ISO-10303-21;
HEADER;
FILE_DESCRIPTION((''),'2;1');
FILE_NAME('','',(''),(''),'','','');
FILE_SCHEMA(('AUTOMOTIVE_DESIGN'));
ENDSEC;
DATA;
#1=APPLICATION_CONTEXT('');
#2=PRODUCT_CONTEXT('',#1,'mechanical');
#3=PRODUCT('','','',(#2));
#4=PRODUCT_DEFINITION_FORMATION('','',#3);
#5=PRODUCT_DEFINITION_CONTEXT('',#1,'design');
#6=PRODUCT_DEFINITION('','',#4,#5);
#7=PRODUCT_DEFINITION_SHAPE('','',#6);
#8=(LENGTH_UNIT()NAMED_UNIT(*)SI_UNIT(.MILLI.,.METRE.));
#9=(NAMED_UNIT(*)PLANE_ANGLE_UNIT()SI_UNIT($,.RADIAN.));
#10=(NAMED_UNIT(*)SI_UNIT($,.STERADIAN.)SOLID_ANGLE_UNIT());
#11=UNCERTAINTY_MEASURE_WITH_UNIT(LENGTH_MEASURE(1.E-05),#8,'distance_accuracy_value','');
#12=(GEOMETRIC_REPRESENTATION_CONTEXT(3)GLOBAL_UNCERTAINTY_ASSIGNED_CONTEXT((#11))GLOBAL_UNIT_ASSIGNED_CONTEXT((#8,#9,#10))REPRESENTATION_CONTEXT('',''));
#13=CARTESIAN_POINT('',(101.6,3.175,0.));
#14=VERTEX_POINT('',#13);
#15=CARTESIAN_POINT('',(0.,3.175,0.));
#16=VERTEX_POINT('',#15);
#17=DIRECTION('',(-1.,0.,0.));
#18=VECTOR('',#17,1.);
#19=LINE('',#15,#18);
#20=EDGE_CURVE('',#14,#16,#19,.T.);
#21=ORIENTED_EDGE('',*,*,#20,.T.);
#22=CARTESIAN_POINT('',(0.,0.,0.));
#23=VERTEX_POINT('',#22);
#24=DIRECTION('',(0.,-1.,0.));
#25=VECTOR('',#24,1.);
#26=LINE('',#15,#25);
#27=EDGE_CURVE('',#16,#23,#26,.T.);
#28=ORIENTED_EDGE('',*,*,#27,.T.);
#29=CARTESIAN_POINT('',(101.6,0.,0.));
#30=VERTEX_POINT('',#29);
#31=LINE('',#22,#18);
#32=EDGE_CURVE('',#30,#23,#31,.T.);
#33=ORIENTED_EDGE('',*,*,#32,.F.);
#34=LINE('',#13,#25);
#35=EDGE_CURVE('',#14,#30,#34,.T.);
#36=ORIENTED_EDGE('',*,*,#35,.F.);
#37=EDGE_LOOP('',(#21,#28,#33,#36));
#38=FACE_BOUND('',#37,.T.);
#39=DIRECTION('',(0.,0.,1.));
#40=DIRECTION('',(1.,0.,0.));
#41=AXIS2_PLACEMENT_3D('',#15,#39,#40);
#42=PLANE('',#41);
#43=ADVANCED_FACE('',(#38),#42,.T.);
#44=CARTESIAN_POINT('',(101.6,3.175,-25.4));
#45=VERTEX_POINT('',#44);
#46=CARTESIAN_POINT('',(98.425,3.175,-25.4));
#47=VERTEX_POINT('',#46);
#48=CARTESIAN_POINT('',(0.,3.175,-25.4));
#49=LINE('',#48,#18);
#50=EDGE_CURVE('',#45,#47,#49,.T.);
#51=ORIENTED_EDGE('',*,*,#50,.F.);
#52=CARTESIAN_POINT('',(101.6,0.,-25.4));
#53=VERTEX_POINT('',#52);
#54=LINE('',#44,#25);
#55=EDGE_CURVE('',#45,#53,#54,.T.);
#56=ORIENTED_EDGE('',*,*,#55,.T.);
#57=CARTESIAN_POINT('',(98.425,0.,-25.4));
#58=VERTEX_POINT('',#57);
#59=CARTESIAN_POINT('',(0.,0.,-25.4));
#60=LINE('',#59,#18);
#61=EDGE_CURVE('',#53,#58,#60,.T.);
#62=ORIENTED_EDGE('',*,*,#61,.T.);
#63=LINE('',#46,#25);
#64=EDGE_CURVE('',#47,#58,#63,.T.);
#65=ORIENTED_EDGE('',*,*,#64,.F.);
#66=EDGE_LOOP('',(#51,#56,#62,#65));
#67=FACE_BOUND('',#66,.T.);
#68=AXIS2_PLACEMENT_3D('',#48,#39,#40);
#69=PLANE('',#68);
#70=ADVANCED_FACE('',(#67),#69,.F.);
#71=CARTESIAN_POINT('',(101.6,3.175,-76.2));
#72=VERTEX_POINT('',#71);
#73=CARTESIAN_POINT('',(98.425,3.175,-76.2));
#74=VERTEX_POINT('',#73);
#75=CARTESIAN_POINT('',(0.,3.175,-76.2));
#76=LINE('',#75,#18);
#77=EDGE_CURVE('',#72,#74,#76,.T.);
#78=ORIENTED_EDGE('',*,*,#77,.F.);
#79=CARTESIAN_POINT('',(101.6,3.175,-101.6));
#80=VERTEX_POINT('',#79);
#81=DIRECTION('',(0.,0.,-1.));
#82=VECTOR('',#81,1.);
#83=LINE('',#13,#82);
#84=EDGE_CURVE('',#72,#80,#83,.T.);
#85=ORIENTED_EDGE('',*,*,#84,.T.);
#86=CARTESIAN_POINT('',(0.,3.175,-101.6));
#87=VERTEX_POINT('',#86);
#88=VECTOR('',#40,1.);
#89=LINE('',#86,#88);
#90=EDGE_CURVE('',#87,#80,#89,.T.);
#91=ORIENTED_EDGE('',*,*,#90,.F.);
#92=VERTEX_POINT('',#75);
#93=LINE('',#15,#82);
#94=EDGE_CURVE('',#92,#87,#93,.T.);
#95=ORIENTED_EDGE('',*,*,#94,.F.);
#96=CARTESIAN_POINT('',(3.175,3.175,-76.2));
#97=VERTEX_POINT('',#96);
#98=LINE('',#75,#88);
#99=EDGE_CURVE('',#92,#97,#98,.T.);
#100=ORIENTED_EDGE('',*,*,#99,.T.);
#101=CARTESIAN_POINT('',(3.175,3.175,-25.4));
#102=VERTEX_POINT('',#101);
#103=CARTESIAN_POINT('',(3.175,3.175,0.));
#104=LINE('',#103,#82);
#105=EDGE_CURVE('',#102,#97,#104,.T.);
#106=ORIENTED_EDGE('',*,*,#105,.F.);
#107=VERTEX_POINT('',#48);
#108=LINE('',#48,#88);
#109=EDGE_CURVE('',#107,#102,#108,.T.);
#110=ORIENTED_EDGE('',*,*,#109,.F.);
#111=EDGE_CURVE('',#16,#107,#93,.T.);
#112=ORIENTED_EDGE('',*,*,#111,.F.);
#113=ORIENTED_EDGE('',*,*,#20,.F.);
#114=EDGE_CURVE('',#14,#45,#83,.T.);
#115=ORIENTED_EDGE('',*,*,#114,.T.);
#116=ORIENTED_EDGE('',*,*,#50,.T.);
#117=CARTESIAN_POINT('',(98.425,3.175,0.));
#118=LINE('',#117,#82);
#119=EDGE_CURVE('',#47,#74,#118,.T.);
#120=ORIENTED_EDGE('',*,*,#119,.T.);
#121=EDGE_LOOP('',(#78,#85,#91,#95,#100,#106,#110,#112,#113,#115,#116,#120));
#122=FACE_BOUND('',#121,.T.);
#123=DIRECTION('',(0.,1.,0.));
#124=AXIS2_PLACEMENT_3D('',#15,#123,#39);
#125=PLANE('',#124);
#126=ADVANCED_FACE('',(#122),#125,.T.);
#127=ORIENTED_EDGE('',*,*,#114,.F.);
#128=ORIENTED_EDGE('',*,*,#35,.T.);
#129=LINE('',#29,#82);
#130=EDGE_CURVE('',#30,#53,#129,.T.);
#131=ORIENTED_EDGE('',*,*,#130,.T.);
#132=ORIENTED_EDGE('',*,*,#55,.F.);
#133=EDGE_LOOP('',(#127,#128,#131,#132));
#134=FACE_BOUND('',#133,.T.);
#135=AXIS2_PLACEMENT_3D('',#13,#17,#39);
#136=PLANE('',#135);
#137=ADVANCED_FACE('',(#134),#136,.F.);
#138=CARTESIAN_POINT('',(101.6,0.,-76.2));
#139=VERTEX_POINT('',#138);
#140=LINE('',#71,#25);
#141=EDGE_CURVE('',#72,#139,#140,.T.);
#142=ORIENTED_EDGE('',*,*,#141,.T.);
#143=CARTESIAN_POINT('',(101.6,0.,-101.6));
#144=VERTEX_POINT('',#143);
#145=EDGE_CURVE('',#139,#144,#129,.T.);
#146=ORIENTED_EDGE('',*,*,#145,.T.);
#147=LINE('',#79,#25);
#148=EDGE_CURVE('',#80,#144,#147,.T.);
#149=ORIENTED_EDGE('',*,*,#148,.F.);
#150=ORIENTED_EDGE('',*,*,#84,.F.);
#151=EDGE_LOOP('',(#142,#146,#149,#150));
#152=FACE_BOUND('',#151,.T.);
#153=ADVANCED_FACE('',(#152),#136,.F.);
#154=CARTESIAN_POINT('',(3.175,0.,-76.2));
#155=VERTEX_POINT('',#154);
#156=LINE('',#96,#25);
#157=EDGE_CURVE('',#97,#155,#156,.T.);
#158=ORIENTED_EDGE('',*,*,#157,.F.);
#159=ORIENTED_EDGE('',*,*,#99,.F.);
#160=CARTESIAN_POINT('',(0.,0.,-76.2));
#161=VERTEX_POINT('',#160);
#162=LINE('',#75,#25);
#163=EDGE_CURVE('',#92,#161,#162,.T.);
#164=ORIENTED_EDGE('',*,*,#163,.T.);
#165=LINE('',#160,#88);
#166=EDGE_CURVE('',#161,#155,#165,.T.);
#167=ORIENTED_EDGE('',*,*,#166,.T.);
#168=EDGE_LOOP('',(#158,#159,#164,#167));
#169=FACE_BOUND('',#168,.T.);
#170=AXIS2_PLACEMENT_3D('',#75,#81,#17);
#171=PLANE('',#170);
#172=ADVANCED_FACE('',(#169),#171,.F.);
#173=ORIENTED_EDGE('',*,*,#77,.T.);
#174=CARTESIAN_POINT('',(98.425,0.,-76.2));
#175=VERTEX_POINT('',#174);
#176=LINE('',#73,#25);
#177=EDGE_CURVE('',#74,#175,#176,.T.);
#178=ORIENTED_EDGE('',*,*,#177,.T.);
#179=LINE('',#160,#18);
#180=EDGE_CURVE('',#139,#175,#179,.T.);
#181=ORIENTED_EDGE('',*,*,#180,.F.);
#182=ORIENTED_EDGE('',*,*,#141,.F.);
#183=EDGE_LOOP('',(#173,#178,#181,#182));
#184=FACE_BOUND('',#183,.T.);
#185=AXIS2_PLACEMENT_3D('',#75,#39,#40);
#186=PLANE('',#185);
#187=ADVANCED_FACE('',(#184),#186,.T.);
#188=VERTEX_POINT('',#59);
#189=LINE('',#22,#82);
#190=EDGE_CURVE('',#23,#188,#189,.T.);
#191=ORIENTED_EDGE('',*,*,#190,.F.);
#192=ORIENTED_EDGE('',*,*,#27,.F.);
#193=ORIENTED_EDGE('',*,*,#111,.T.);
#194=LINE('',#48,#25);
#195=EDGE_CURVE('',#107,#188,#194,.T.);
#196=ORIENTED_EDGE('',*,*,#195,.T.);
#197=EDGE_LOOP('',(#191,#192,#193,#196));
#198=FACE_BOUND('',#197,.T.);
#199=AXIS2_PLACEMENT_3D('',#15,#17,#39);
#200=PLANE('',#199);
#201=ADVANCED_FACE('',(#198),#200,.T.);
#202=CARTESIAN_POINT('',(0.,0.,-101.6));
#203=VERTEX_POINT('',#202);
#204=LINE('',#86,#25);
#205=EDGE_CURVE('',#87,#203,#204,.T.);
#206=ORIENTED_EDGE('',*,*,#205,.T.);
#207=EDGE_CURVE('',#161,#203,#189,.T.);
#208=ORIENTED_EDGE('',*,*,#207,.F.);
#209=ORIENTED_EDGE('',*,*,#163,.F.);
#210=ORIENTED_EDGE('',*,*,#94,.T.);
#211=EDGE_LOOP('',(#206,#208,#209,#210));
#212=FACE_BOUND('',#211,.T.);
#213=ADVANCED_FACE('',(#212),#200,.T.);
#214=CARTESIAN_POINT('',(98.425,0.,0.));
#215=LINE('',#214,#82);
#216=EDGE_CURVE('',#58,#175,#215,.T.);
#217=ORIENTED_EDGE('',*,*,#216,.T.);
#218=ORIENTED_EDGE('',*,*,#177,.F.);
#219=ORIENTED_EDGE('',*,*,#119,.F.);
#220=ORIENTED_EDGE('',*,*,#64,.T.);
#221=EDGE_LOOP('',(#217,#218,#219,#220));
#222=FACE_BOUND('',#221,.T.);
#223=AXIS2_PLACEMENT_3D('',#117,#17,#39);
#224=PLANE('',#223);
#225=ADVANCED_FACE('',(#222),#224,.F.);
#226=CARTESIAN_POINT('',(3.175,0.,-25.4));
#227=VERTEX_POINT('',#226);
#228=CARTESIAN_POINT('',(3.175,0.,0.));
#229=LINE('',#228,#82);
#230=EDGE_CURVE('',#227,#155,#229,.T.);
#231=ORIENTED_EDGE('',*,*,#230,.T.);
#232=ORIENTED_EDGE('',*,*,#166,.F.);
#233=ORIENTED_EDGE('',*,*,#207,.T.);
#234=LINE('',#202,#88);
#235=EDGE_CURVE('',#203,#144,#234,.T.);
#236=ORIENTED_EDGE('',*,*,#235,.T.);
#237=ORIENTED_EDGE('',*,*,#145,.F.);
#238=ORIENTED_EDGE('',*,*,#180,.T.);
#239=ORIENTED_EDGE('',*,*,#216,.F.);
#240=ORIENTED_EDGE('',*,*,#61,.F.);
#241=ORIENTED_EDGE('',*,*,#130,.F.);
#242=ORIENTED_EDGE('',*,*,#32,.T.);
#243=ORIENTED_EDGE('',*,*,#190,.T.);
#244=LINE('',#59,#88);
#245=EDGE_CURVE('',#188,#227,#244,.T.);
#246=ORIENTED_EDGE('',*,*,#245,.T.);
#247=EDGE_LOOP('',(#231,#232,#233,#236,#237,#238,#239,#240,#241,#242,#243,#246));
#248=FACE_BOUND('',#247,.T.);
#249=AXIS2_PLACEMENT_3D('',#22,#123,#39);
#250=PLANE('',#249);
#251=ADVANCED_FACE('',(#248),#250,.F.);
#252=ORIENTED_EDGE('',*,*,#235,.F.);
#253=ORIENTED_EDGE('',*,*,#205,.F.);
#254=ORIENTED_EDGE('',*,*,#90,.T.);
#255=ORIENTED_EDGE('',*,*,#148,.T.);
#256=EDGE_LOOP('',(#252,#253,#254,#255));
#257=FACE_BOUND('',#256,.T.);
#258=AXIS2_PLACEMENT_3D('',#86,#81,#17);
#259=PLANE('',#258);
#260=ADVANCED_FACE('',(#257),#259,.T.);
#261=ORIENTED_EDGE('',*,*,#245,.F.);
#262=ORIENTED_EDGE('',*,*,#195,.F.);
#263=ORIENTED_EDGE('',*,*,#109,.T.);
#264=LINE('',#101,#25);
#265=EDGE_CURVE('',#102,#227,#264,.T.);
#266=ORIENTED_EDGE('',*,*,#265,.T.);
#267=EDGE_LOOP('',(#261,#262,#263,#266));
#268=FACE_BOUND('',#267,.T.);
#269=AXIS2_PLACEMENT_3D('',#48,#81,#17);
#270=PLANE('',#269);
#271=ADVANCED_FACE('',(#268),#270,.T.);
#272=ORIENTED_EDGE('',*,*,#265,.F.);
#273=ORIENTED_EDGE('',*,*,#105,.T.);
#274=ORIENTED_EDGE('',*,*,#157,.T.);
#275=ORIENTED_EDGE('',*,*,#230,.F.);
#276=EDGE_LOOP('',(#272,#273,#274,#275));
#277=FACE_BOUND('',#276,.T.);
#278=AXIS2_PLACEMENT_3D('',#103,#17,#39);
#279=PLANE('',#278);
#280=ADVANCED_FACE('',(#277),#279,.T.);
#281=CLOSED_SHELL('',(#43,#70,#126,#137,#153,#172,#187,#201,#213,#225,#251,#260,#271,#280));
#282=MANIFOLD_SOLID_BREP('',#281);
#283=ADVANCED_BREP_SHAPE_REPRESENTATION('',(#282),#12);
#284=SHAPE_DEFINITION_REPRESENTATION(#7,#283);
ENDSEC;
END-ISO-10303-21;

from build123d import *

# Parameters (mm, degrees)
BOSS_EXTRUDE1_DEPTH = 3.175


with BuildPart() as part:
    # Sketch1 → Boss-Extrude1 (new body)
    with BuildSketch(Plane(origin=(0, 0, 0), x_dir=(1, 0, 0), z_dir=(0, 1, 0))):
        Polygon((0, 0), (101.6, 0), (101.6, 25.4), (98.425, 25.4), (98.425, 76.2), (101.6, 76.2), (101.6, 101.6), (0, 101.6), (0, 76.2), (3.175, 76.2), (3.175, 25.4), (0, 25.4), align=None)
    extrude(amount=BOSS_EXTRUDE1_DEPTH)


solid = part.part
